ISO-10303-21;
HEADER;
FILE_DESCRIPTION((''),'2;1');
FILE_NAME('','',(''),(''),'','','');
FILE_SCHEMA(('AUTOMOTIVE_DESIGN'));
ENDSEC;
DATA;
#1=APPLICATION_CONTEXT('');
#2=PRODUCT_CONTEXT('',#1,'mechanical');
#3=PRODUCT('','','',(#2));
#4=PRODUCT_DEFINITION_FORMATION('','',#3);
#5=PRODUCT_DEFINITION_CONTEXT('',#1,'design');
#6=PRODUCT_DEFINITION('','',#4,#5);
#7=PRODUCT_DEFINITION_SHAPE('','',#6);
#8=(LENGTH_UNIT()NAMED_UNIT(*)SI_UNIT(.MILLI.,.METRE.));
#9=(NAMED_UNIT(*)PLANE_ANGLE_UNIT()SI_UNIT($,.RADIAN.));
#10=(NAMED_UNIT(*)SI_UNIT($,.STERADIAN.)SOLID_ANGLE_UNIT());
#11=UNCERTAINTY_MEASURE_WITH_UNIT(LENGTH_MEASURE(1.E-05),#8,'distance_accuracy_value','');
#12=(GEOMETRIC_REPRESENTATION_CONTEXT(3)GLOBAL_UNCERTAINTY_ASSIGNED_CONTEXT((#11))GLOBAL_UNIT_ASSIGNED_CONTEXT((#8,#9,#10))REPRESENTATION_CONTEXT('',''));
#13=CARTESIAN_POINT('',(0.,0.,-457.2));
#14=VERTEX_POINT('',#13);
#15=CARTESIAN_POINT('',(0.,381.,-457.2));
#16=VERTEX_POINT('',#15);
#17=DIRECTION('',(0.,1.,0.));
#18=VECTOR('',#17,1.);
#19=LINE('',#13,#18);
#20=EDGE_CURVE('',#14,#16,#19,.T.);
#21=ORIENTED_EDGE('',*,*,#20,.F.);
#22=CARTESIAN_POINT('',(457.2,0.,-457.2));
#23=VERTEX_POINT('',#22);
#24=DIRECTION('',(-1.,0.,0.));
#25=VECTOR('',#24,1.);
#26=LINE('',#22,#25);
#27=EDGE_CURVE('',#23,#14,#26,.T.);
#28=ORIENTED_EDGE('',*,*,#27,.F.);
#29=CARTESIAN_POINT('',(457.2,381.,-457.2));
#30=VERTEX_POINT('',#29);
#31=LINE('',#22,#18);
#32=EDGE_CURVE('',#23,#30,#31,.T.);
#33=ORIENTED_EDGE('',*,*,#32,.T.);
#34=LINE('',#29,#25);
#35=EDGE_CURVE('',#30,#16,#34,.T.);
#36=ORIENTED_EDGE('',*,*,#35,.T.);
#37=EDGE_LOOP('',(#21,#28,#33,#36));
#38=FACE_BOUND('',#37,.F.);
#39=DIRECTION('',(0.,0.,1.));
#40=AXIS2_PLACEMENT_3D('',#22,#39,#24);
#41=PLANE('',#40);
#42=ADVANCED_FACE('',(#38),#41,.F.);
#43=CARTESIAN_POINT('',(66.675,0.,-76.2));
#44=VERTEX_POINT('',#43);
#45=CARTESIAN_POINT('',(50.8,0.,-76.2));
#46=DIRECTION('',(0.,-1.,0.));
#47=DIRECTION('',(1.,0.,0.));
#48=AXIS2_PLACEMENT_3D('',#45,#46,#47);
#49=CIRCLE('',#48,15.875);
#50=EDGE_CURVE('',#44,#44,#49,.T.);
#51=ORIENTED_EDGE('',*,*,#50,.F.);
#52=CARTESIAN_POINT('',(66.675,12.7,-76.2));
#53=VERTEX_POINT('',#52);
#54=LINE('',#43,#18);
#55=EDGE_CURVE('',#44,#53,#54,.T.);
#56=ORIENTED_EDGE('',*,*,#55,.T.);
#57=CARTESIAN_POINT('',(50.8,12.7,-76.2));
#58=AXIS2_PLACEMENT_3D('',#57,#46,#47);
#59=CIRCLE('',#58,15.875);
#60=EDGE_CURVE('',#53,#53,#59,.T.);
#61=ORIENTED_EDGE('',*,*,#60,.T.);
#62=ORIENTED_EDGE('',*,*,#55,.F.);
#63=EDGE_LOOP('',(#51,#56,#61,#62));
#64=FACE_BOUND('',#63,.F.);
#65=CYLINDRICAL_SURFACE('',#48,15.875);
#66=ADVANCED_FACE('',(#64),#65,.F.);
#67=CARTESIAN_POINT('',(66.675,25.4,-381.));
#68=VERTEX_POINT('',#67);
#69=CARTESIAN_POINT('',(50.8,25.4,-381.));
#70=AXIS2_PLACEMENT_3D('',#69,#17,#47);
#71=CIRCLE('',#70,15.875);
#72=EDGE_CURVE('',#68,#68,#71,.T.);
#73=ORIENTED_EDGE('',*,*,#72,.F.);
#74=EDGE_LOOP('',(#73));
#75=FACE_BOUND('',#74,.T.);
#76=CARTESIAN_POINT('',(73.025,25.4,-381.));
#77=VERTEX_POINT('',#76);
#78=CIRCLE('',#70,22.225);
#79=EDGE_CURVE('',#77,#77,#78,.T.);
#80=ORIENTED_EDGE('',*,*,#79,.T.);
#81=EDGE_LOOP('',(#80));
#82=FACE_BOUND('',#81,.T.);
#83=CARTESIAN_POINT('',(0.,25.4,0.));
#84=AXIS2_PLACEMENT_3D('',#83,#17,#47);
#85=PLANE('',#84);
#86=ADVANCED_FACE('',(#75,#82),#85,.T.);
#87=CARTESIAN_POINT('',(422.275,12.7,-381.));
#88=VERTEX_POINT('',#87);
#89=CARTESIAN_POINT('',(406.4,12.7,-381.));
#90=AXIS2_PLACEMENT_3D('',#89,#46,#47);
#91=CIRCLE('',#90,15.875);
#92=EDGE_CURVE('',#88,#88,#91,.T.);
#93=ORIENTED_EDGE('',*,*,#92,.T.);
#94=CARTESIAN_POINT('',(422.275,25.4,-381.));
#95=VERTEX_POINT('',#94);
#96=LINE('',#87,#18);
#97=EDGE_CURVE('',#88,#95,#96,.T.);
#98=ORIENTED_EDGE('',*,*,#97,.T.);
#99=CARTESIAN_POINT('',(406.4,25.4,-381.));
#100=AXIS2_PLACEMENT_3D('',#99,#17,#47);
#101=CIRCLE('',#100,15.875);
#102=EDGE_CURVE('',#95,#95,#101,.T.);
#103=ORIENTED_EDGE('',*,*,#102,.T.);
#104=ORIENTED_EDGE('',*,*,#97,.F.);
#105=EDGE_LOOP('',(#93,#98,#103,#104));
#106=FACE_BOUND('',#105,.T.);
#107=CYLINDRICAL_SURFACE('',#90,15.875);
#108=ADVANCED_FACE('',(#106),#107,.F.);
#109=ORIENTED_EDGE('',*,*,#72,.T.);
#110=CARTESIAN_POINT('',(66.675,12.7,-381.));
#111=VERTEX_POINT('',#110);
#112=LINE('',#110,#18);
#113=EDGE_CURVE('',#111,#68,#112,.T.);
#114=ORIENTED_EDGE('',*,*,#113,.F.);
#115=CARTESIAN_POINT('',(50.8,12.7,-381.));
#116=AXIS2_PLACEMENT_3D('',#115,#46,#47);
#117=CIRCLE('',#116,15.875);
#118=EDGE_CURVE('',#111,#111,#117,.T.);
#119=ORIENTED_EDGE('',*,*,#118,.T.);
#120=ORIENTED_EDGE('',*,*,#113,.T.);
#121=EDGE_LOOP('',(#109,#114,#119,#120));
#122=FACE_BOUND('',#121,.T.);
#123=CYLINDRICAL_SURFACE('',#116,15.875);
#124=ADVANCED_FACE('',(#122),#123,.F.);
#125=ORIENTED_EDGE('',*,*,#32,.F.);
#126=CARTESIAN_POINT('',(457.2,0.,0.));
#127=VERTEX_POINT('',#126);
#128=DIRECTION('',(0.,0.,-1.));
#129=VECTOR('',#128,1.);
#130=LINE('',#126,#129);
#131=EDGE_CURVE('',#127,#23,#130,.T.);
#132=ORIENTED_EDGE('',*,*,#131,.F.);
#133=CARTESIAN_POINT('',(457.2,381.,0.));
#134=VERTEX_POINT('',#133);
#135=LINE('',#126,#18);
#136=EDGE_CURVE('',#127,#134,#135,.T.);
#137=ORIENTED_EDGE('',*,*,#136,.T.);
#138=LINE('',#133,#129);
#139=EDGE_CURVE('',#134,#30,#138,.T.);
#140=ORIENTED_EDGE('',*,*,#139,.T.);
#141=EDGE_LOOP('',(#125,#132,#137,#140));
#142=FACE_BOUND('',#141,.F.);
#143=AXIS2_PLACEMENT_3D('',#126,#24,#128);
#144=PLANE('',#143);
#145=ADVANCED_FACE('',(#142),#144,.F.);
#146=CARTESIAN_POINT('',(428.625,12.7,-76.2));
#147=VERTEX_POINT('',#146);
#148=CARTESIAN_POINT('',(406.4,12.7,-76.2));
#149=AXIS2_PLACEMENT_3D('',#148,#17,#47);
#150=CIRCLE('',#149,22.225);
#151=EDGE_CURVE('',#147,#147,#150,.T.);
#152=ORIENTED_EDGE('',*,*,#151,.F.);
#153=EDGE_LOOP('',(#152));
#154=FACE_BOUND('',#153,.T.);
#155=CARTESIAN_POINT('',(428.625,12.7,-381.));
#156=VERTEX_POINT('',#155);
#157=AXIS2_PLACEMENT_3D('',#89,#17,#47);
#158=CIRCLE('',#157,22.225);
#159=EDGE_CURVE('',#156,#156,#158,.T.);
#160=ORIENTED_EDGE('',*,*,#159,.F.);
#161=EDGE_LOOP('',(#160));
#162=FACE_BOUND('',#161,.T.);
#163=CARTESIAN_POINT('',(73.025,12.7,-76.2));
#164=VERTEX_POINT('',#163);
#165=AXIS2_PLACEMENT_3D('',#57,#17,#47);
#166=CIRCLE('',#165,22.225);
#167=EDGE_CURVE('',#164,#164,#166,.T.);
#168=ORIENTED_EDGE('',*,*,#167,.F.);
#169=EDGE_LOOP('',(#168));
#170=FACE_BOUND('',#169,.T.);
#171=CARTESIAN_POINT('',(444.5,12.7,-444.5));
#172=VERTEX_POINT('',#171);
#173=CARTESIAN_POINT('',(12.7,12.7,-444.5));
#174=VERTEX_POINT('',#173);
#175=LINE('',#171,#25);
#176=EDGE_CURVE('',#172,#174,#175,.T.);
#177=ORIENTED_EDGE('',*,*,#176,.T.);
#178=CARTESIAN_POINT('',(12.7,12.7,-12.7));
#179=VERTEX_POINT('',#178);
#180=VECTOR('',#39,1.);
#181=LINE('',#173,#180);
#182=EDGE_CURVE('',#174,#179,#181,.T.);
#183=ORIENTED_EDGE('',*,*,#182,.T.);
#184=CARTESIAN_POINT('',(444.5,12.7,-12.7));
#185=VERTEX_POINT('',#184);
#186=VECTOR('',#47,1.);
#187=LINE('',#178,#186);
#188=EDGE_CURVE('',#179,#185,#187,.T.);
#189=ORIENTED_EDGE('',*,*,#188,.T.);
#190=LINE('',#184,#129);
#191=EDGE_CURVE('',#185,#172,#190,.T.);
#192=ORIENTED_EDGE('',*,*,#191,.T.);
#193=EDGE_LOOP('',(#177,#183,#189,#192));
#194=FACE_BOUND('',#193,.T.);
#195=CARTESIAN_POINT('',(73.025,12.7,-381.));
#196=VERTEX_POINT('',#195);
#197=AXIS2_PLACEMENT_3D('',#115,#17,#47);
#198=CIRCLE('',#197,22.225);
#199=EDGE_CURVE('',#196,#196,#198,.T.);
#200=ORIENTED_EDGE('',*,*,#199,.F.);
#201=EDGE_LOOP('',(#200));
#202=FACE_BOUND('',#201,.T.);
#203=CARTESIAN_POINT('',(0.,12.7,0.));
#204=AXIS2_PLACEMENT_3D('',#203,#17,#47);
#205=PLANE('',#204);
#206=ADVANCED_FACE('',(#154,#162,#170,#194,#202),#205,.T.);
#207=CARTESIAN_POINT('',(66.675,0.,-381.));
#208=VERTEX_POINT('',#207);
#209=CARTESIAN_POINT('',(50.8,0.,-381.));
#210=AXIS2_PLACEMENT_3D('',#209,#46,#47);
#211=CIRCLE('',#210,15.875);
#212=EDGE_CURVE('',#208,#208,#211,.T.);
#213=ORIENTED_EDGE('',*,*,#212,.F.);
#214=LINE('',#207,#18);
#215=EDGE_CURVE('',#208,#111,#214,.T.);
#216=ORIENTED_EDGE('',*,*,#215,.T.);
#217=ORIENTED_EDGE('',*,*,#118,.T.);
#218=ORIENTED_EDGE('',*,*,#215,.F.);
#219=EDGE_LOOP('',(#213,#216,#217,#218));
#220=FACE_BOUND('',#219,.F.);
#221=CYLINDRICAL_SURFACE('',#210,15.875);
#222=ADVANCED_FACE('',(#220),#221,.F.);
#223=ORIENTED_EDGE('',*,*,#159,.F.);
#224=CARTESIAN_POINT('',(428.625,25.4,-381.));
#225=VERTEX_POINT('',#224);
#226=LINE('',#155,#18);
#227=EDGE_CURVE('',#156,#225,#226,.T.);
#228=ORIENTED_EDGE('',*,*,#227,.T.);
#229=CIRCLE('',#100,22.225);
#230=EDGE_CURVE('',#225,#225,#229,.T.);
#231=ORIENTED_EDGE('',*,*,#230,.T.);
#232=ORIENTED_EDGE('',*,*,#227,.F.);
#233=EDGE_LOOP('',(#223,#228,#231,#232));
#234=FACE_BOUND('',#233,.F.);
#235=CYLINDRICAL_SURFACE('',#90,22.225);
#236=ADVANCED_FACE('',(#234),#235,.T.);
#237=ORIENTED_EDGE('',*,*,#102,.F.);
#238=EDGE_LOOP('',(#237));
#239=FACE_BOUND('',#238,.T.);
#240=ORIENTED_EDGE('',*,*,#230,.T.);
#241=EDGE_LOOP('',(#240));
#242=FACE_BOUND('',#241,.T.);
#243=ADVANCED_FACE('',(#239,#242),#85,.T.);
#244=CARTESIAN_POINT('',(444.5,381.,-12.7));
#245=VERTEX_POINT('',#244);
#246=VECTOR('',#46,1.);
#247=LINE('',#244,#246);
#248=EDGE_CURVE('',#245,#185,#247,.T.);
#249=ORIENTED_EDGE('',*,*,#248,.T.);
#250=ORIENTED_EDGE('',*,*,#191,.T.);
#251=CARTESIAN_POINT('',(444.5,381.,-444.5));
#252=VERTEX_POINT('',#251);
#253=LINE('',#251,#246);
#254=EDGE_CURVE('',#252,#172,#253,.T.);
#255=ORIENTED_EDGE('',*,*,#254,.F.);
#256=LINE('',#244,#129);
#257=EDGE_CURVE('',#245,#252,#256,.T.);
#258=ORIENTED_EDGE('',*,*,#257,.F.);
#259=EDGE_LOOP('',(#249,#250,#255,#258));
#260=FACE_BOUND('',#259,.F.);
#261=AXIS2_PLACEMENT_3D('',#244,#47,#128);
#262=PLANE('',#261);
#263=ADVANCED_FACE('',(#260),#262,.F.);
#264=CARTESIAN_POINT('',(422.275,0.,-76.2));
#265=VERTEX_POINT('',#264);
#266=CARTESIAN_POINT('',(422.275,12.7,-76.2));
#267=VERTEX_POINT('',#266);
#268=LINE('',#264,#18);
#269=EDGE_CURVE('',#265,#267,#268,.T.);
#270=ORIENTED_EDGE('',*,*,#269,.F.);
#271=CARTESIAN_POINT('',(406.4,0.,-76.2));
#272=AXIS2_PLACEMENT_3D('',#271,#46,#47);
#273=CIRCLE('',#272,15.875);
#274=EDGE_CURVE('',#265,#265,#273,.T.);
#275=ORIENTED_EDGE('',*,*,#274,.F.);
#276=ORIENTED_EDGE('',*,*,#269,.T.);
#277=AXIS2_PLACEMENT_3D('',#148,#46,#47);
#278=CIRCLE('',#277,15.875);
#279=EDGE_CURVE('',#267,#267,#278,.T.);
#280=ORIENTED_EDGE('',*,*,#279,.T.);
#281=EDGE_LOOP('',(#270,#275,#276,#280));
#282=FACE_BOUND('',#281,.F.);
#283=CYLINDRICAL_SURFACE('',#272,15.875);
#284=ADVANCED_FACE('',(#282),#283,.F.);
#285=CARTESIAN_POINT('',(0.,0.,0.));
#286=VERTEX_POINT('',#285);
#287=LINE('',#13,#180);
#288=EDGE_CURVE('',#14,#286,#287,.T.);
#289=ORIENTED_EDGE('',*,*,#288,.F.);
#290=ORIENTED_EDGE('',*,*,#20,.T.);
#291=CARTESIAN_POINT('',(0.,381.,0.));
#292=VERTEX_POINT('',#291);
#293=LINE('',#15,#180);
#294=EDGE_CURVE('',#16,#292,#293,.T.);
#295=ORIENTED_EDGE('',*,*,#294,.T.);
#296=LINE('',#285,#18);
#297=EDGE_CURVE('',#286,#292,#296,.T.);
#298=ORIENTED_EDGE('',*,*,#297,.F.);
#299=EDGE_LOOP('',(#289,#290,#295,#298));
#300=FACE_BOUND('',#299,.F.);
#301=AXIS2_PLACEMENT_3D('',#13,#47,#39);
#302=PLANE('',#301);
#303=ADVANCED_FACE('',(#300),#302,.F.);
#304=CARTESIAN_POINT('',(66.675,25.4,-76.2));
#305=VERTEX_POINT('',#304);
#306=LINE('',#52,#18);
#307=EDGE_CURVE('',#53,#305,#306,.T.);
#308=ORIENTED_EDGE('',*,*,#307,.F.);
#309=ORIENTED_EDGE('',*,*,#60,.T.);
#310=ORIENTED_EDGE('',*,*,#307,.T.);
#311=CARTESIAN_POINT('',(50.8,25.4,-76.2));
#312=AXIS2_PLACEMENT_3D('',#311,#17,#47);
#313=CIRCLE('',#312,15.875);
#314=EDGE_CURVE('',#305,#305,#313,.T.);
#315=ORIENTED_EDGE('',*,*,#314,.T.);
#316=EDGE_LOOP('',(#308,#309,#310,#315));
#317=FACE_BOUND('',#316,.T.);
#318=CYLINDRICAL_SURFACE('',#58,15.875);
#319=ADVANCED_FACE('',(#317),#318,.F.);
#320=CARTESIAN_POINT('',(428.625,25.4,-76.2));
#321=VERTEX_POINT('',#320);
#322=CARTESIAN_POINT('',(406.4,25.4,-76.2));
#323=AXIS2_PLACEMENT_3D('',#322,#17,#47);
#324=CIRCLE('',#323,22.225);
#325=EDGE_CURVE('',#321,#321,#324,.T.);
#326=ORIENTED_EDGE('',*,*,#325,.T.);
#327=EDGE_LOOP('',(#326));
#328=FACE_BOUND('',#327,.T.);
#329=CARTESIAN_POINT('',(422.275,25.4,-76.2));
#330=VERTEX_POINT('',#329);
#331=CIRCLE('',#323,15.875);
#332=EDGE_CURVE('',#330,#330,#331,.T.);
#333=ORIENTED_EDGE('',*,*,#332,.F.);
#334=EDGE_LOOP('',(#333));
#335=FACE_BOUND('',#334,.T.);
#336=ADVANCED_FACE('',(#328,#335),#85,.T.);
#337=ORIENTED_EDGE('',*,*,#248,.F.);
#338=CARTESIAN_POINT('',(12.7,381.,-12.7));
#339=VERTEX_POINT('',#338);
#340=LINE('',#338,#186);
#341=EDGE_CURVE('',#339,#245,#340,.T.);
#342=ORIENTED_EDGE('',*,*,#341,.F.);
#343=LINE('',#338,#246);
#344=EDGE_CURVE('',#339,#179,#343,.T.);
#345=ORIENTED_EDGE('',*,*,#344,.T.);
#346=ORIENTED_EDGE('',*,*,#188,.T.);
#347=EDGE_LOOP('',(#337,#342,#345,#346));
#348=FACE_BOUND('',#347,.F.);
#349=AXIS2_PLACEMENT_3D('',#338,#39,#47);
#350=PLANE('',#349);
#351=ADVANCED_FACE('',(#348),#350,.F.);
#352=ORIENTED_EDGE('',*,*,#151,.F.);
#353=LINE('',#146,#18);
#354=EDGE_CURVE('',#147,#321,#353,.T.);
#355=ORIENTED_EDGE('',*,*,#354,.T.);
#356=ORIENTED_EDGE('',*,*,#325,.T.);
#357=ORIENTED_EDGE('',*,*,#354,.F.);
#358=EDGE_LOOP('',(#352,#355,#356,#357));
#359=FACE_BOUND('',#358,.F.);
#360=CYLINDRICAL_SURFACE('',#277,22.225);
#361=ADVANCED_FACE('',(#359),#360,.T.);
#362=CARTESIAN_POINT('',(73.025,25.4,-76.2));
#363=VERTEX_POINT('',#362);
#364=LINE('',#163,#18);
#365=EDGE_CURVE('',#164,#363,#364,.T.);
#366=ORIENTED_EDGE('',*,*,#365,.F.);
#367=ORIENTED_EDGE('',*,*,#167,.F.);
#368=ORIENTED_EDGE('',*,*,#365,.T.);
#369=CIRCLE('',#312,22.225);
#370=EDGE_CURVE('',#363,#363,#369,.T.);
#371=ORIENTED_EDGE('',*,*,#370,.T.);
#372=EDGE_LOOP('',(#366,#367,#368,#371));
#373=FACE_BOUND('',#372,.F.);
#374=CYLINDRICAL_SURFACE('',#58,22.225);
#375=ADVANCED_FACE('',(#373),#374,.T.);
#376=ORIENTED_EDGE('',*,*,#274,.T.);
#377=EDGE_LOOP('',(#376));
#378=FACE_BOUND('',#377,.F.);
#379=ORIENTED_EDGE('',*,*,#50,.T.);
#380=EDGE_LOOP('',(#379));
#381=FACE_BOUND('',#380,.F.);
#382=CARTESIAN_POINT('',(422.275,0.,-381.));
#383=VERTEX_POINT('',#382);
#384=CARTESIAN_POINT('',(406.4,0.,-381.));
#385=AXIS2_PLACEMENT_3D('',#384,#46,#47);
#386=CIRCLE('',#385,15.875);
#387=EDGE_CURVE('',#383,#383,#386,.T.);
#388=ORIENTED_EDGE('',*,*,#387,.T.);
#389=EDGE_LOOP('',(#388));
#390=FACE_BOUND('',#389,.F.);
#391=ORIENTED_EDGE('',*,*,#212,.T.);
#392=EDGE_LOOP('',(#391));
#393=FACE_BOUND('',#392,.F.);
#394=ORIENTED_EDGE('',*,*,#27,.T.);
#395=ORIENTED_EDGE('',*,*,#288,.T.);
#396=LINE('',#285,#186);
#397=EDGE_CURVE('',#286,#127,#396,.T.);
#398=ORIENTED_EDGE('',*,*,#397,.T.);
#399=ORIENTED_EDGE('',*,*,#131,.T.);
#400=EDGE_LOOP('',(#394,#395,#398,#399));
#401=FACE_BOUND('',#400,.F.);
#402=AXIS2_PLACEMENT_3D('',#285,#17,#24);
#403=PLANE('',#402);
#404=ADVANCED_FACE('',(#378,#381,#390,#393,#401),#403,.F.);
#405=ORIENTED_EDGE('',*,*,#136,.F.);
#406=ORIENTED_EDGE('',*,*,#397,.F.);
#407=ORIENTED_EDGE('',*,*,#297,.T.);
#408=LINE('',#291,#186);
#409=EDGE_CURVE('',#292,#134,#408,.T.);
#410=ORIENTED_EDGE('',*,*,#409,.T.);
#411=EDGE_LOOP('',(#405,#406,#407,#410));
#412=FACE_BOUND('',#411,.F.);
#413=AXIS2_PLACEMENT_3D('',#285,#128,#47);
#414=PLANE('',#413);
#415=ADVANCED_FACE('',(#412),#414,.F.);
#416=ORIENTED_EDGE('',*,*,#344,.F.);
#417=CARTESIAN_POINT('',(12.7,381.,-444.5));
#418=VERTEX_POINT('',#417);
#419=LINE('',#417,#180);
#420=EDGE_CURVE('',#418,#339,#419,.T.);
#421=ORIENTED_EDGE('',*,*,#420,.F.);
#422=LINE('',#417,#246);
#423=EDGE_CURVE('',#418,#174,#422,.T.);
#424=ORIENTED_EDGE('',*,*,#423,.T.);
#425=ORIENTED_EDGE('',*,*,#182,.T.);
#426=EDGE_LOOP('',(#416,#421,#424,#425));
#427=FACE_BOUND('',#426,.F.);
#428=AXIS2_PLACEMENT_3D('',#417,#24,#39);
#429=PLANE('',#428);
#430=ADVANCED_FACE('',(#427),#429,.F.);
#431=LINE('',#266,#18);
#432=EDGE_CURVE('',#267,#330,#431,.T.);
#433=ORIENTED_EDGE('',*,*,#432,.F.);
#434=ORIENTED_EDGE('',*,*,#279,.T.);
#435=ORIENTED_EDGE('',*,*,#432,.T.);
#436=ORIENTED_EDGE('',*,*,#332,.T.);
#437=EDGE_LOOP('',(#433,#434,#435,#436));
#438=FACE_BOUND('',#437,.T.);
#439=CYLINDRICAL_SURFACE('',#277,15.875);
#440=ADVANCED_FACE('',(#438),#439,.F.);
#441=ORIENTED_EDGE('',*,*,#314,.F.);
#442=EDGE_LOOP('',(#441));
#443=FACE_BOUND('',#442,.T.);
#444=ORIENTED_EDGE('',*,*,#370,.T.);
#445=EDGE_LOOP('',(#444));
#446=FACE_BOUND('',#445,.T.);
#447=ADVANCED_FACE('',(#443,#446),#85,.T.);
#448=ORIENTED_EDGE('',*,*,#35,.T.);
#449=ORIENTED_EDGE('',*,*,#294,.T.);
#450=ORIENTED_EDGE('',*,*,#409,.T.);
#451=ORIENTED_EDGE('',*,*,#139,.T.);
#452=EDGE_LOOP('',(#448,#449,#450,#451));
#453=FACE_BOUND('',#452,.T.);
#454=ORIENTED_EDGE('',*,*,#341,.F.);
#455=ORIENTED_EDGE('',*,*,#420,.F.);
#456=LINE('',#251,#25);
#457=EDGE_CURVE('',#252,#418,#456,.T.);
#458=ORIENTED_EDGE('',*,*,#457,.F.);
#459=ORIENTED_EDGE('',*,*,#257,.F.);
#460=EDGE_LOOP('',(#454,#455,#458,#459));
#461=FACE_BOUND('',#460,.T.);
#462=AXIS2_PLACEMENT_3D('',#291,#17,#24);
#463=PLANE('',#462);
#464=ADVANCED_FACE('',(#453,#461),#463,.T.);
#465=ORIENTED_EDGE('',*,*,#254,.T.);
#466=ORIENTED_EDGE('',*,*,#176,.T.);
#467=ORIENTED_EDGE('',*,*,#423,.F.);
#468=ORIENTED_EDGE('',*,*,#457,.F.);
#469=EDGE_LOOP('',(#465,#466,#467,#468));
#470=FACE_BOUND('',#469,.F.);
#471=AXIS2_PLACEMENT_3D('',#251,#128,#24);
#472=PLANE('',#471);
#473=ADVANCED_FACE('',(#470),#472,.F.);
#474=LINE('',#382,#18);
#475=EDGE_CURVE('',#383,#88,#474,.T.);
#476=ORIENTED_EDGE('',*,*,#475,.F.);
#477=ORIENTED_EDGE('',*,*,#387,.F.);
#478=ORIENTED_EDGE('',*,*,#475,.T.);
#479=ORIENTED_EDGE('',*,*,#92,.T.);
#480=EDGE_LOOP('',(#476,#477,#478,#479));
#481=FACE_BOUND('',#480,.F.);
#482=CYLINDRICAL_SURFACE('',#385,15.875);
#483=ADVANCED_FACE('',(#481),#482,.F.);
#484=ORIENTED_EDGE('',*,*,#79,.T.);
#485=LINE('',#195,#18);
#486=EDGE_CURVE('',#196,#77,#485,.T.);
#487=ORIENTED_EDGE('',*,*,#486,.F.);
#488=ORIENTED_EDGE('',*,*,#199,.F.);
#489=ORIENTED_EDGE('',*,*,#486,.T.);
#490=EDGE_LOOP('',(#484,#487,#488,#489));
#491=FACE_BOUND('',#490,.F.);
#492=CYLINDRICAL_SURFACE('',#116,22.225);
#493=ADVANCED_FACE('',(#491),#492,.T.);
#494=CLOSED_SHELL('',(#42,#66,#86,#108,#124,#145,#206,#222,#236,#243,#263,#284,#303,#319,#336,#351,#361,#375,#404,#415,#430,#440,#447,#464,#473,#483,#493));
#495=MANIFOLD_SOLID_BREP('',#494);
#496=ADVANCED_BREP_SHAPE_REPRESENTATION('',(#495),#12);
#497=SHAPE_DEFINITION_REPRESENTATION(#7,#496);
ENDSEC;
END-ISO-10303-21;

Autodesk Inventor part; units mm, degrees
ref_plane "YZ Plane" through (0, 0, 0) normal (1, 0, 0) x (0, 1, 0)
ref_plane "XZ Plane" through (0, 0, 0) normal (0, 1, 0) x (-1, 0, 0)
ref_plane "XY Plane" through (0, 0, 0) normal (0, 0, 1) x (1, 0, 0)
sketch "Sketch1" plane through (0, 0, 0) normal (0, 1, 0) x (-1, 0, 0)
  line L0 (0, 0) -> (-457.2, 0)
  line L1 (-457.2, 0) -> (-457.2, -457.2)
  line L2 (-457.2, -457.2) -> (0, -457.2)
  line L3 (0, -457.2) -> (0, 0)
  dimension "d0" = 457.2
  dimension "d1" = 457.2
extrude "Extrusion1" add sketch "Sketch1" along normal blind 381
sketch "Sketch2" plane through (0, 381, 0) normal (0, 1, 0) x (1, 0, 0)
  line L0 (0, 0) -> (457.2, 0) projected
  line L1 (457.2, 0) -> (457.2, 457.2) projected
  line L2 (457.2, 457.2) -> (0, 457.2) projected
  line L3 (0, 457.2) -> (0, 0) projected
  line L4 (12.7, 12.7) -> (444.5, 12.7)
  line L5 (444.5, 12.7) -> (444.5, 444.5)
  line L6 (444.5, 444.5) -> (12.7, 444.5)
  line L7 (12.7, 444.5) -> (12.7, 12.7)
  dimension "d4" = 12.7
extrude "Extrusion2" cut sketch "Sketch2" against normal blind 368.3 contours L7 L6 L5 L4
sketch "Sketch3" plane through (0, 0, 0) normal (0, -1, 0) x (1, 0, 0)
  line L0 (0, 0) -> (457.2, 0) projected
  line L1 (0, -457.2) -> (0, 0) projected
  line L2 (457.2, -457.2) -> (0, -457.2) projected
  line L3 (457.2, 0) -> (457.2, -457.2) projected
  line L4 (457.2, 0) -> (406.4, 0) construction
  line L5 (0, 0) -> (457.2, 0) construction
  line L6 (406.4, 0) -> (406.4, -76.2) construction
  circle A0 centre (406.4, -76.2) radius 15.875
  line L7 (457.2, 0) -> (457.2, -457.2) construction
  line L8 (457.2, -228.6) -> (0, -228.6) construction
  line L9 (228.6, 0) -> (228.6, -457.2) construction
  circle A1 centre (406.4, -381) radius 15.875
  circle A2 centre (50.8, -381) radius 15.875
  circle A3 centre (50.8, -76.2) radius 15.875
  point P0 (228.6, -228.6)
  dimension "d7" = 50.8
  dimension "d8" = 76.2
  dimension "d9" = 31.75
extrude "Extrusion3" cut sketch "Sketch3" against normal blind 25.4 contours A0 | A1 | A2 | A3
sketch "Sketch5" plane through (0, 12.7, 0) normal (0, 1, 0) x (1, 0, 0)
  circle A0 centre (50.8, 381) radius 15.875 projected
  circle A1 centre (406.4, 76.2) radius 15.875 projected
  circle A2 centre (406.4, 381) radius 15.875 projected
  circle A3 centre (50.8, 76.2) radius 15.875 projected
  line L0 (444.5, 12.7) -> (12.7, 12.7) projected
  line L1 (444.5, 444.5) -> (444.5, 12.7) projected
  line L2 (12.7, 444.5) -> (444.5, 444.5) projected
  line L3 (12.7, 12.7) -> (12.7, 444.5) projected
  circle A4 centre (50.8, 381) radius 22.225
  circle A5 centre (406.4, 381) radius 22.225
  circle A6 centre (50.8, 76.2) radius 22.225
  circle A7 centre (406.4, 76.2) radius 22.225
  point P0 (0, 0)
  dimension "d19" = 6.35
  dimension "d20" = 6.35
  dimension "d21" = 6.35
  dimension "d22" = 6.35
extrude "Extrusion5" add sketch "Sketch5" along normal blind 12.7 contours A4 | A5 | A6 | A7
properties part number "Attachable top" material "PET Plastic"
